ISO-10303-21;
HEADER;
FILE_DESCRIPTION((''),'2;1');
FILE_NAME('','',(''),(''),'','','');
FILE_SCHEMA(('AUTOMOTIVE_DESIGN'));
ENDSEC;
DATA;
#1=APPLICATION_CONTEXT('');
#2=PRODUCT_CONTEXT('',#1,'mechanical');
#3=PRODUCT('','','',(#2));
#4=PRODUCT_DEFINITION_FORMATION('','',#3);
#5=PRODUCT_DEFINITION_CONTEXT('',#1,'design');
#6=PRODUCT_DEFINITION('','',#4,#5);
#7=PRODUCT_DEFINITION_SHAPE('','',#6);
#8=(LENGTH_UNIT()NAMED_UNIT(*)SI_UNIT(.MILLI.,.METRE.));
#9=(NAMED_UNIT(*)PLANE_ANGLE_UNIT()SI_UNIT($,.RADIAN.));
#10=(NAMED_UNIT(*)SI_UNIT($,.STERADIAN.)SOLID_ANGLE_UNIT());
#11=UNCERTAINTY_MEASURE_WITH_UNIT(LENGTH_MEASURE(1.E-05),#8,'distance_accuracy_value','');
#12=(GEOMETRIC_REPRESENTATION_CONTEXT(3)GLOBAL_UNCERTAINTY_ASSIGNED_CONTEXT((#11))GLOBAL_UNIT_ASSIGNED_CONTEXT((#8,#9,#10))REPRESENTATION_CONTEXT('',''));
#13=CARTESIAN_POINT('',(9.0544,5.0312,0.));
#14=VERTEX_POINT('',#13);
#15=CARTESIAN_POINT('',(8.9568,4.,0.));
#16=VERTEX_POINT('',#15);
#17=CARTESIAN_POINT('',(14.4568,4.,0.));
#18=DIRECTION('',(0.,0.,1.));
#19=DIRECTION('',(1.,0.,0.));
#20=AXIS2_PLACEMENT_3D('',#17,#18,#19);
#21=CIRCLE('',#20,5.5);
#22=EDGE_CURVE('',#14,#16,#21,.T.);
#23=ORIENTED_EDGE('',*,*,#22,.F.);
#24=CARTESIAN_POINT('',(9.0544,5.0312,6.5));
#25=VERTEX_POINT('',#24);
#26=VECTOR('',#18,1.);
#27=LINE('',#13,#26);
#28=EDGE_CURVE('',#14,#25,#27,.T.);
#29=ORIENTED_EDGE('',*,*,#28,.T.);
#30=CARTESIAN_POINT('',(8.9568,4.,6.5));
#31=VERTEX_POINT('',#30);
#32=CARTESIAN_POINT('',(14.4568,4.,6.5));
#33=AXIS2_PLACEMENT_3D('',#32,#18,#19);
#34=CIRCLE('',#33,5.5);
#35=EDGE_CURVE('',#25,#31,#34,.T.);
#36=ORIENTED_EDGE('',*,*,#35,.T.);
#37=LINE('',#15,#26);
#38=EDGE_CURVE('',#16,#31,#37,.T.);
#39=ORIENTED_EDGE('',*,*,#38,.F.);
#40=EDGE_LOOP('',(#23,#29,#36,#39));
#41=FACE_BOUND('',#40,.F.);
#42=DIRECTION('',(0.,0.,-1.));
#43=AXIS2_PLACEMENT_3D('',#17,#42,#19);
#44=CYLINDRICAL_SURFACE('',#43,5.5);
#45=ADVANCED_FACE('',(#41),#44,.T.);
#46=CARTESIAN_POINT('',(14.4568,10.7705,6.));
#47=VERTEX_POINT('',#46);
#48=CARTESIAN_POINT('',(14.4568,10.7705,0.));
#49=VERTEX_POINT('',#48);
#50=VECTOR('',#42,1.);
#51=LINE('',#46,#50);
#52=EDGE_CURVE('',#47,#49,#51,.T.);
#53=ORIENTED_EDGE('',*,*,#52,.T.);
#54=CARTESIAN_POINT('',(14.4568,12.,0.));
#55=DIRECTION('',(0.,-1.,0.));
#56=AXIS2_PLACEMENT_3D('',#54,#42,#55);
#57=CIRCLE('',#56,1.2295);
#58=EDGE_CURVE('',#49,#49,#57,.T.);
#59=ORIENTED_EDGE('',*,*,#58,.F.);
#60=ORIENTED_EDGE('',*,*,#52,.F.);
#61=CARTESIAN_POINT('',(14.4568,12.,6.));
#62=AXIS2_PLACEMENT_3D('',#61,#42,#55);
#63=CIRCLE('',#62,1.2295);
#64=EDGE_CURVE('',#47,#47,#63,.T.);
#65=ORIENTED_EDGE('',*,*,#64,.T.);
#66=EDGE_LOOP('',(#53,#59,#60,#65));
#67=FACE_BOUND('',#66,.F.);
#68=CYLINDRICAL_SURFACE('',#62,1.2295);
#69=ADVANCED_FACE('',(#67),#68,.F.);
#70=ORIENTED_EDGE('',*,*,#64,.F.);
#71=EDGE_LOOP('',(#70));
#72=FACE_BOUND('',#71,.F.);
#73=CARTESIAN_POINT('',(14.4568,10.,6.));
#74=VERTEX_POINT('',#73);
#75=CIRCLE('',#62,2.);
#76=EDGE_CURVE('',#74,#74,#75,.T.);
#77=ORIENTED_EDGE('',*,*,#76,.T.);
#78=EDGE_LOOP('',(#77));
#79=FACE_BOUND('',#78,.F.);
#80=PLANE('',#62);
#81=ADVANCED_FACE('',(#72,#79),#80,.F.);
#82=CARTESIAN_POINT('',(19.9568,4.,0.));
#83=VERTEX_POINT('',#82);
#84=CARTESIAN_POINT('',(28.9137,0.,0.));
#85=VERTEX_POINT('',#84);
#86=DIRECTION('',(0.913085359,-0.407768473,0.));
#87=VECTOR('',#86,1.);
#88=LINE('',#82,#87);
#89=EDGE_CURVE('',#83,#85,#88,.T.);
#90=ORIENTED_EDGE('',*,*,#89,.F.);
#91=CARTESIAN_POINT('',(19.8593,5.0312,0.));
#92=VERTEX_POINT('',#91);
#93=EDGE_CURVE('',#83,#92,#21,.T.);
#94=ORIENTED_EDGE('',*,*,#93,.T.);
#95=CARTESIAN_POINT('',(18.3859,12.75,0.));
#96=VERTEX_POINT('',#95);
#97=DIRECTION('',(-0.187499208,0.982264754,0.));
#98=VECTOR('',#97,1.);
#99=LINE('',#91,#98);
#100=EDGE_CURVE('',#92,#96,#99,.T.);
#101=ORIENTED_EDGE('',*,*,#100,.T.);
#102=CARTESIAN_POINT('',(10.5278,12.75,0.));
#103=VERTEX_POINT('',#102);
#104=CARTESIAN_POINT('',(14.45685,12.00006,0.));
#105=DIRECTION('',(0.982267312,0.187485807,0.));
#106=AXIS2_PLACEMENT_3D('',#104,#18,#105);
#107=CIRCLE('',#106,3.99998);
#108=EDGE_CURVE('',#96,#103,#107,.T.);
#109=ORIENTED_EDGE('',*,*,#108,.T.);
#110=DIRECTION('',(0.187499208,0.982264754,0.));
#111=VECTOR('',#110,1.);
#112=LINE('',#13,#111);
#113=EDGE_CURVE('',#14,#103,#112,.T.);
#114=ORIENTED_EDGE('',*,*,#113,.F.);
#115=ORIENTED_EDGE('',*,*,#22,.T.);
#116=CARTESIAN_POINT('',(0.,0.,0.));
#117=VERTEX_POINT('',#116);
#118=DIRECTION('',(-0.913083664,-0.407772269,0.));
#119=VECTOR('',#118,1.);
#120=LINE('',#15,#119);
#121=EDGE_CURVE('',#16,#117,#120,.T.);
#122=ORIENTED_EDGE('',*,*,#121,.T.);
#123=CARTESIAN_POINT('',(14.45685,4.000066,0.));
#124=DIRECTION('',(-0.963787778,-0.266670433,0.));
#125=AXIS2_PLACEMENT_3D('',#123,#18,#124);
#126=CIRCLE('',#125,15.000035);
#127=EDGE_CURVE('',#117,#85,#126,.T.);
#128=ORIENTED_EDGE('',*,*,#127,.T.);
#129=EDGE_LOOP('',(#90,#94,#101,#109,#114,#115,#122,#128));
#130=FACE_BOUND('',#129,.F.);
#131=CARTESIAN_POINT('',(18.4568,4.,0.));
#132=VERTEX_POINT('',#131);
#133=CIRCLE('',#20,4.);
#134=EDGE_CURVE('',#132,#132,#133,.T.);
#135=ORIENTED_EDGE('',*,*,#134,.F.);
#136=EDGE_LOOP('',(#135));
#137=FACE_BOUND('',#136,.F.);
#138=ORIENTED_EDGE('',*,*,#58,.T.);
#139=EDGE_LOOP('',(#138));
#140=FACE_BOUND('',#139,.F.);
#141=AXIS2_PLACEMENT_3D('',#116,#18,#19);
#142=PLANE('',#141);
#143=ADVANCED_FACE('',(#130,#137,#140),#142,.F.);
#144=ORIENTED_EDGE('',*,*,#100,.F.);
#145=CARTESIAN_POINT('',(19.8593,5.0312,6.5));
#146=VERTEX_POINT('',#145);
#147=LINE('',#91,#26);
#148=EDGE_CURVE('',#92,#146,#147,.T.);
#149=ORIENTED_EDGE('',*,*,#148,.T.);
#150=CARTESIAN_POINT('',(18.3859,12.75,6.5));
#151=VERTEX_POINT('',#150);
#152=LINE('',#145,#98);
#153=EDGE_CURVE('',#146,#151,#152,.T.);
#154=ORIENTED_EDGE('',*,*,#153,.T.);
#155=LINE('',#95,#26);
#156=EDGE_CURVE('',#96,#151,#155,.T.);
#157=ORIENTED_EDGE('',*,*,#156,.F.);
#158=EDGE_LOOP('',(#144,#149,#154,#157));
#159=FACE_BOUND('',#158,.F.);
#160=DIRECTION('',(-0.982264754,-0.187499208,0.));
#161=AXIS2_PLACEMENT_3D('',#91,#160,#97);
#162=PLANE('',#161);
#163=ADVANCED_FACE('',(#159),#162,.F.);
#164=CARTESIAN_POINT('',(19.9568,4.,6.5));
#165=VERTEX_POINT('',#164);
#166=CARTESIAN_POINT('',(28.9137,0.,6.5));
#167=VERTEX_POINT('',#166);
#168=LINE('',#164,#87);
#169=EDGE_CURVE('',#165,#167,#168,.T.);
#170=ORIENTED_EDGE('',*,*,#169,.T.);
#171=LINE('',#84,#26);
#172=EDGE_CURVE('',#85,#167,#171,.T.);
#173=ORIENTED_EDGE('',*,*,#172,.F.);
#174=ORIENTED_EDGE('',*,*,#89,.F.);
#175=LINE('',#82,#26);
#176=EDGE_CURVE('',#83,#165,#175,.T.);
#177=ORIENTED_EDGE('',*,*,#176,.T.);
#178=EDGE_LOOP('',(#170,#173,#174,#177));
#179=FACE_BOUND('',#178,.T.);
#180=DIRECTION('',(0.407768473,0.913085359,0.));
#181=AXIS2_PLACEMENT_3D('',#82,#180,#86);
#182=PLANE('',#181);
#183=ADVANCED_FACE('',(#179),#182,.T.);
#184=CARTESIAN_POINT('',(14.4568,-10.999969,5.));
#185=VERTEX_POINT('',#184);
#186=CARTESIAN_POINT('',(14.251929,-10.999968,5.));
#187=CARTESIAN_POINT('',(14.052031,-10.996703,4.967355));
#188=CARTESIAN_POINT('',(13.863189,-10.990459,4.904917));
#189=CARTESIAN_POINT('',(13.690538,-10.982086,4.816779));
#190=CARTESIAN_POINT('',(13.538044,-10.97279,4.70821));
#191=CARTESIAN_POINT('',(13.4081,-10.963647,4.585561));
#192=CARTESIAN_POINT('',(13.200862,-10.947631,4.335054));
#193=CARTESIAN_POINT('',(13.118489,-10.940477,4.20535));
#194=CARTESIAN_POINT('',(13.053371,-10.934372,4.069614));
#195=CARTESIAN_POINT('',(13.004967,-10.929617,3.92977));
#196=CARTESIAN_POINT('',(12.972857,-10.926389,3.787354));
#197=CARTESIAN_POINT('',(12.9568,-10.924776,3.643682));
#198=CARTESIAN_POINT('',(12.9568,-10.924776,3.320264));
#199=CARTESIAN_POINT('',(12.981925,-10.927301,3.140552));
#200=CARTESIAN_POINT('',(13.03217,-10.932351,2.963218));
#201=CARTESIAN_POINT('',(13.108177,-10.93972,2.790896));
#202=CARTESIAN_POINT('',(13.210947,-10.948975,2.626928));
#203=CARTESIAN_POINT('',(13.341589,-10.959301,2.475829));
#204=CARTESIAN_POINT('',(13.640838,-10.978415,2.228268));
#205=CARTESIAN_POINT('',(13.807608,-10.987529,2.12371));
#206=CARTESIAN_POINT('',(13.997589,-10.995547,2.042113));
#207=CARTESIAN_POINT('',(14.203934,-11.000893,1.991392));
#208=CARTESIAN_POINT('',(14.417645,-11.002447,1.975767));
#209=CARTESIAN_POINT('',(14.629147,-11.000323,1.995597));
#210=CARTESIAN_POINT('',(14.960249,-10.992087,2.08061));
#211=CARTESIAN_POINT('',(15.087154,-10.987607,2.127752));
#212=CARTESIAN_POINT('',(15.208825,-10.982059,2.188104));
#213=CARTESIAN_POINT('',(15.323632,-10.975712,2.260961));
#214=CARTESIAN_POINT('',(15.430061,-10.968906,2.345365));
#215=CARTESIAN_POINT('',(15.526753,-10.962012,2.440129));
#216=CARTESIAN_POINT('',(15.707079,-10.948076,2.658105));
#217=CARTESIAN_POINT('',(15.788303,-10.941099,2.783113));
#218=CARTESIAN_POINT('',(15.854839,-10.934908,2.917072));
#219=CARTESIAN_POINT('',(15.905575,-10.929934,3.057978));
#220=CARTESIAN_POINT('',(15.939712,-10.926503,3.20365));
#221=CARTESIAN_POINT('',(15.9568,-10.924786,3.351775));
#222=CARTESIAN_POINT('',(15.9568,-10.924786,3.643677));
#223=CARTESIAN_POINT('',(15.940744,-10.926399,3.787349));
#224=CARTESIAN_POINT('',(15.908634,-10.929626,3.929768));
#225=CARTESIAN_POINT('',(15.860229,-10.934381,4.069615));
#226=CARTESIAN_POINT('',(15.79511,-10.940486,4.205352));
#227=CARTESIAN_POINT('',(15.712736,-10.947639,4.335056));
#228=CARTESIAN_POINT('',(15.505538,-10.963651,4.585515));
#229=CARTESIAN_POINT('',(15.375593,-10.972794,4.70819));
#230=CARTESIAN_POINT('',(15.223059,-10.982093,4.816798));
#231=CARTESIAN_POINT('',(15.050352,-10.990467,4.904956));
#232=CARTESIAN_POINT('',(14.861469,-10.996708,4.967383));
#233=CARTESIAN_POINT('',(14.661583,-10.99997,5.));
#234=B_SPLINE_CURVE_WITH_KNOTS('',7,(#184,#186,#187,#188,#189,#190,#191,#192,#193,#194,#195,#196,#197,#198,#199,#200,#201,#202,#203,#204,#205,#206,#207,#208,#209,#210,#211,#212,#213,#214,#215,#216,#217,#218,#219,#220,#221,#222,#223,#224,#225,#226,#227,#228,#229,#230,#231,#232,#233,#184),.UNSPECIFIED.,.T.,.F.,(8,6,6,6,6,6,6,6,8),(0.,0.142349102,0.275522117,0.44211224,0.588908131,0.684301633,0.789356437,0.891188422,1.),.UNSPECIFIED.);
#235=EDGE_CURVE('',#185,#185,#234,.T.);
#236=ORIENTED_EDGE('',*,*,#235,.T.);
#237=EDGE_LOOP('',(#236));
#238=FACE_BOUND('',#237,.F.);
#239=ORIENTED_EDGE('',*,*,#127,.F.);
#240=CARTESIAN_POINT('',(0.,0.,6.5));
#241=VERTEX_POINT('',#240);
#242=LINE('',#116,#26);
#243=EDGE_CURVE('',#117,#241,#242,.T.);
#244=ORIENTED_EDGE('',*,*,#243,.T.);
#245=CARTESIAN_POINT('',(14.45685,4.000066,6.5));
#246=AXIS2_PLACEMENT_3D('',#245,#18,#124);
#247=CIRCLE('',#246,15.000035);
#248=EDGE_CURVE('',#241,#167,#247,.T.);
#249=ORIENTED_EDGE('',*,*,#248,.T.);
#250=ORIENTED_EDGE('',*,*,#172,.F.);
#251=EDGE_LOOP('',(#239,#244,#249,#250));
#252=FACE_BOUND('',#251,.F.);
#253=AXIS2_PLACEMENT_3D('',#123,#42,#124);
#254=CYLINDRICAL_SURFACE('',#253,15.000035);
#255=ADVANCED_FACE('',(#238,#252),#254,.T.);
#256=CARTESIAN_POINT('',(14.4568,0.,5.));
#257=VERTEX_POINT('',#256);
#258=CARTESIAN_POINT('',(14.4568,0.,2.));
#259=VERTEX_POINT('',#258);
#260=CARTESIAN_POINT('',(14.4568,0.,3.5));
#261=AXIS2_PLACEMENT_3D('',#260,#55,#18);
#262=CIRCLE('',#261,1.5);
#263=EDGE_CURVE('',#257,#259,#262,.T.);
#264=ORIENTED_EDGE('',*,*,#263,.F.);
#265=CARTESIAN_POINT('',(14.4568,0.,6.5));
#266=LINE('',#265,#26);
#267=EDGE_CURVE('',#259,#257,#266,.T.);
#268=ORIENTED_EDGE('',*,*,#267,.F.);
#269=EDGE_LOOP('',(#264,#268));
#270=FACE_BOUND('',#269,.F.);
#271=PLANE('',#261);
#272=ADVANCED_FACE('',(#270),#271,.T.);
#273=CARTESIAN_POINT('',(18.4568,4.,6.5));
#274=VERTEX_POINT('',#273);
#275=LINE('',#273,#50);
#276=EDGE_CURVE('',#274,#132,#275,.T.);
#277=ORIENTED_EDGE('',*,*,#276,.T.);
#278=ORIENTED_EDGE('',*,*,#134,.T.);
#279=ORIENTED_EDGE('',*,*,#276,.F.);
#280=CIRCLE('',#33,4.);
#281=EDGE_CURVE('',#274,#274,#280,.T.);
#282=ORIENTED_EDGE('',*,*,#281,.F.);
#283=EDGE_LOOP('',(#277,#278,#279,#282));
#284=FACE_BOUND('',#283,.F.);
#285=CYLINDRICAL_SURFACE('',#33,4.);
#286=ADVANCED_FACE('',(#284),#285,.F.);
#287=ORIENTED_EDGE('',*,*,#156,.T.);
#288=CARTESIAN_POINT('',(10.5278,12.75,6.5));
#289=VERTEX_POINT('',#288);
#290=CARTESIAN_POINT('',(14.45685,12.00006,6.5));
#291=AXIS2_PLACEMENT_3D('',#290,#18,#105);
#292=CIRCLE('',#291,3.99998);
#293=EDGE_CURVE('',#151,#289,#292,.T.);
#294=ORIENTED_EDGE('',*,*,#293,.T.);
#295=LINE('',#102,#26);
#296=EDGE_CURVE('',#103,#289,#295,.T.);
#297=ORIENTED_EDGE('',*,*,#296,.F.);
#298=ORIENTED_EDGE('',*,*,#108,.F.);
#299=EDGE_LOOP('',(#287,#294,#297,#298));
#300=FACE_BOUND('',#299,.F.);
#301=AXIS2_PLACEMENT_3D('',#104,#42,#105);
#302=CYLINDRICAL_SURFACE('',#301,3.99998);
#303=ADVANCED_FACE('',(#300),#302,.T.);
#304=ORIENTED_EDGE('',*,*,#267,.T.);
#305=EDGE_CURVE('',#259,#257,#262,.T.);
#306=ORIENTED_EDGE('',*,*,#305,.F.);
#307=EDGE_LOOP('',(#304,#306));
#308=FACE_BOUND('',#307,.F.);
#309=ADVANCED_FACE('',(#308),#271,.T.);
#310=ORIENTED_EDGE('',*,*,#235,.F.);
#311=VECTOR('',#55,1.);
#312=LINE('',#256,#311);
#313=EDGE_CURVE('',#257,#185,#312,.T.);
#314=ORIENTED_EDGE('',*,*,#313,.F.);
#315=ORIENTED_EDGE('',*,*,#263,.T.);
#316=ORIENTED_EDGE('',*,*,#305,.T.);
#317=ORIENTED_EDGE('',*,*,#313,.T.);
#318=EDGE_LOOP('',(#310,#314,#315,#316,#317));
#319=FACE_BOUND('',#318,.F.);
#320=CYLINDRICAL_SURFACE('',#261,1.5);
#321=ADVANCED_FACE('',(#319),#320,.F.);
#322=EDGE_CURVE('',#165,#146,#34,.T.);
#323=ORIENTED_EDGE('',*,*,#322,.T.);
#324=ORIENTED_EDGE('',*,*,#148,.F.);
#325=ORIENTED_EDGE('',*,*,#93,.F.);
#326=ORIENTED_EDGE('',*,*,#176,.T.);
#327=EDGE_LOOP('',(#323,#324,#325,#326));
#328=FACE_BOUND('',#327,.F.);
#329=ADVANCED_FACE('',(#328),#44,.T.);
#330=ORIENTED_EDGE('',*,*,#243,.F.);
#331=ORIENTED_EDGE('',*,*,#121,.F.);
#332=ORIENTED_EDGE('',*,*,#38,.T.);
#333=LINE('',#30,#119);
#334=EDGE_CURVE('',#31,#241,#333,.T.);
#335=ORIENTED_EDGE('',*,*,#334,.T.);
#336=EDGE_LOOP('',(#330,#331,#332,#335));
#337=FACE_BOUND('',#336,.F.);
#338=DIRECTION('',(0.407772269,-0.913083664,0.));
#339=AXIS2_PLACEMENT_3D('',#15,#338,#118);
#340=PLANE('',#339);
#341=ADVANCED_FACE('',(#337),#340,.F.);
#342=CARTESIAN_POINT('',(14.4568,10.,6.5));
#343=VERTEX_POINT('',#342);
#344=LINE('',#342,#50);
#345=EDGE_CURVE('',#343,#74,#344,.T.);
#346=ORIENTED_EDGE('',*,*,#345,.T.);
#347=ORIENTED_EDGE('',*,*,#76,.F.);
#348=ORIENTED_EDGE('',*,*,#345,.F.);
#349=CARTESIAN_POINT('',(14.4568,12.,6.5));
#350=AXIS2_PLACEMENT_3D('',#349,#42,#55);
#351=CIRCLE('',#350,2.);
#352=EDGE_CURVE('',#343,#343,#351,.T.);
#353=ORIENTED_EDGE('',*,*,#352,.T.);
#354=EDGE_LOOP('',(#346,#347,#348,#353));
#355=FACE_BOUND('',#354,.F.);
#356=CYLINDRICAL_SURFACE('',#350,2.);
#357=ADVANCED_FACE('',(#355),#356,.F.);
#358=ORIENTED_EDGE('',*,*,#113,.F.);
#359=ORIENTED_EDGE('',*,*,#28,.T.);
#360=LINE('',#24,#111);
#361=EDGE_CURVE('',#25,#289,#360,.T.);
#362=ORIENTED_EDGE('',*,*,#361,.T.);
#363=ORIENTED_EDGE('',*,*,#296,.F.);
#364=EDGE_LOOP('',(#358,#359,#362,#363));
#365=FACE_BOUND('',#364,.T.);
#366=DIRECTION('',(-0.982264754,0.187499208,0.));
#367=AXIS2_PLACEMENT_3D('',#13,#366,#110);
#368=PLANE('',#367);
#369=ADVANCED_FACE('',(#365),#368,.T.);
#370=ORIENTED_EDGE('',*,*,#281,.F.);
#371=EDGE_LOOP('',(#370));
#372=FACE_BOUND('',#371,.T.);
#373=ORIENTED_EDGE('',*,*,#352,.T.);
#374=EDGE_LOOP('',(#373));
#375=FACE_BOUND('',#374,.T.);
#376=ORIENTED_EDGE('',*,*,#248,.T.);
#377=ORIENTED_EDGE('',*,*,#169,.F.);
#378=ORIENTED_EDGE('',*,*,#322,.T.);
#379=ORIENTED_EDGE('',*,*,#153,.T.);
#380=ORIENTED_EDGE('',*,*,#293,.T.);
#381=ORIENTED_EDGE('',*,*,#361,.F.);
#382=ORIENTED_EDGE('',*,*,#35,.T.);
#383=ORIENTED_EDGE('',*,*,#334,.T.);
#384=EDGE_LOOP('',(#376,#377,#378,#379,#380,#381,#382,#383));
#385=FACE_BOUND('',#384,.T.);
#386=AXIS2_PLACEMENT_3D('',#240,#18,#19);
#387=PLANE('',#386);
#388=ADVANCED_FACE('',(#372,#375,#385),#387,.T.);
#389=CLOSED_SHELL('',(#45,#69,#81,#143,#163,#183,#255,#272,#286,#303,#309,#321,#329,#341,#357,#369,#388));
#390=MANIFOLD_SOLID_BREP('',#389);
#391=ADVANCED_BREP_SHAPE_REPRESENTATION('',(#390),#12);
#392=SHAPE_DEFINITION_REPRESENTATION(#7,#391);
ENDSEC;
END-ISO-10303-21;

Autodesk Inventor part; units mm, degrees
ref_plane "YZ Plane" through (0, 0, 0) normal (1, 0, 0) x (0, 1, 0)
ref_plane "XY Plane" through (0, 0, 0) normal (0, 0, 1) x (1, 0, 0)
sketch "Skizze1" plane through (0, 0, 0) normal (0, 0, 1) x (1, 0, 0)
  line L0 (-0.5432, 4) -> (29.4568, 4) construction
  arc A0 (0, 0) -> (28.9137, 0) centre (14.4568, 4) ccw
  circle A1 centre (14.4568, 4) radius 5.5
  line L1 (19.9568, 4) -> (28.9137, 0)
  line L2 (8.9568, 4) -> (0, 0)
  line L3 (9.0544, 5.0312) -> (10.5278, 12.75)
  line L4 (19.8593, 5.0312) -> (18.3859, 12.75)
  arc A2 (18.3859, 12.75) -> (10.5278, 12.75) centre (14.4568, 12) ccw
  dimension "d2" = 30
  dimension "d3" = 11
  dimension "d4" = 4
  dimension "d5" = 4
  dimension "d6" = 8
extrude "Extrusion1" add sketch "Skizze1" along normal blind 6.5
sketch "Skizze2" plane through (0, 0, 6.5) normal (0, 0, 1) x (1, 0, 0)
  arc A0 (19.9568, 4) -> (19.8593, 5.0312) centre (14.4568, 4) ccw projected
  line L0 (19.8593, 5.0312) -> (18.3859, 12.75) projected
  arc A1 (18.3859, 12.75) -> (10.5278, 12.75) centre (14.4568, 12) ccw projected
  line L1 (10.5278, 12.75) -> (9.0544, 5.0312) projected
  arc A2 (9.0544, 5.0312) -> (8.9568, 4) centre (14.4568, 4) ccw projected
  line L2 (8.9568, 4) -> (0, 0) projected
  arc A3 (0, 0) -> (28.9137, 0) centre (14.4568, 4) ccw projected
  line L3 (28.9137, 0) -> (19.9568, 4) projected
  circle A4 centre (14.4568, 4) radius 4
  dimension "d9" = 8
extrude "Extrusion2" cut sketch "Skizze2" against normal up to surface (6.5 mm away) contours A4
sketch "Skizze3" plane through (0, 0, 6.5) normal (0, 0, 1) x (1, 0, 0)
  circle A0 centre (14.4568, 4) radius 4 projected
  point P0 (0, 0)
  point P1 (14.4568, 12)
  dimension "d12" = 8
hole "Bohrung1" at (14.4568, 12, 6.5) direction (0, 0, -1) diameter 2.459 depth 6.5 counterbore diameter 4 counterbore depth 0.5 thread size "M3x0.5" class "6H" standard "ISO Metric profile"
ref_plane "Arbeitsebene1" through (0, 0, 0) normal (0, 1, 0) x (-1, 0, 0)
sketch "Skizze4" plane through (0, 0, 0) normal (0, 1, 0) x (-1, 0, 0)
  line L0 (0, 6.5) -> (-28.9137, 6.5) projected
  line L1 (0, 0) -> (-28.9137, 0) projected
  line L2 (-28.9137, 0) -> (-28.9137, 6.5) projected
  line L3 (0, 6.5) -> (-28.9137, 6.5) projected
  line L4 (0, 0) -> (0, 6.5) projected
  point P0 (-14.4568, 6.5)
  point P1 (-14.4568, 3.5)
  point P2 (-14.4568, 6.5)
  dimension "d25" = 3
  dimension "d26" = 14.4568
hole "Bohrung2" at (14.4568, 0, 3.5) direction (0, -1, 0) diameter 3 end through all
properties part number "Kurbel" material "Stahl, galvanisiert"
